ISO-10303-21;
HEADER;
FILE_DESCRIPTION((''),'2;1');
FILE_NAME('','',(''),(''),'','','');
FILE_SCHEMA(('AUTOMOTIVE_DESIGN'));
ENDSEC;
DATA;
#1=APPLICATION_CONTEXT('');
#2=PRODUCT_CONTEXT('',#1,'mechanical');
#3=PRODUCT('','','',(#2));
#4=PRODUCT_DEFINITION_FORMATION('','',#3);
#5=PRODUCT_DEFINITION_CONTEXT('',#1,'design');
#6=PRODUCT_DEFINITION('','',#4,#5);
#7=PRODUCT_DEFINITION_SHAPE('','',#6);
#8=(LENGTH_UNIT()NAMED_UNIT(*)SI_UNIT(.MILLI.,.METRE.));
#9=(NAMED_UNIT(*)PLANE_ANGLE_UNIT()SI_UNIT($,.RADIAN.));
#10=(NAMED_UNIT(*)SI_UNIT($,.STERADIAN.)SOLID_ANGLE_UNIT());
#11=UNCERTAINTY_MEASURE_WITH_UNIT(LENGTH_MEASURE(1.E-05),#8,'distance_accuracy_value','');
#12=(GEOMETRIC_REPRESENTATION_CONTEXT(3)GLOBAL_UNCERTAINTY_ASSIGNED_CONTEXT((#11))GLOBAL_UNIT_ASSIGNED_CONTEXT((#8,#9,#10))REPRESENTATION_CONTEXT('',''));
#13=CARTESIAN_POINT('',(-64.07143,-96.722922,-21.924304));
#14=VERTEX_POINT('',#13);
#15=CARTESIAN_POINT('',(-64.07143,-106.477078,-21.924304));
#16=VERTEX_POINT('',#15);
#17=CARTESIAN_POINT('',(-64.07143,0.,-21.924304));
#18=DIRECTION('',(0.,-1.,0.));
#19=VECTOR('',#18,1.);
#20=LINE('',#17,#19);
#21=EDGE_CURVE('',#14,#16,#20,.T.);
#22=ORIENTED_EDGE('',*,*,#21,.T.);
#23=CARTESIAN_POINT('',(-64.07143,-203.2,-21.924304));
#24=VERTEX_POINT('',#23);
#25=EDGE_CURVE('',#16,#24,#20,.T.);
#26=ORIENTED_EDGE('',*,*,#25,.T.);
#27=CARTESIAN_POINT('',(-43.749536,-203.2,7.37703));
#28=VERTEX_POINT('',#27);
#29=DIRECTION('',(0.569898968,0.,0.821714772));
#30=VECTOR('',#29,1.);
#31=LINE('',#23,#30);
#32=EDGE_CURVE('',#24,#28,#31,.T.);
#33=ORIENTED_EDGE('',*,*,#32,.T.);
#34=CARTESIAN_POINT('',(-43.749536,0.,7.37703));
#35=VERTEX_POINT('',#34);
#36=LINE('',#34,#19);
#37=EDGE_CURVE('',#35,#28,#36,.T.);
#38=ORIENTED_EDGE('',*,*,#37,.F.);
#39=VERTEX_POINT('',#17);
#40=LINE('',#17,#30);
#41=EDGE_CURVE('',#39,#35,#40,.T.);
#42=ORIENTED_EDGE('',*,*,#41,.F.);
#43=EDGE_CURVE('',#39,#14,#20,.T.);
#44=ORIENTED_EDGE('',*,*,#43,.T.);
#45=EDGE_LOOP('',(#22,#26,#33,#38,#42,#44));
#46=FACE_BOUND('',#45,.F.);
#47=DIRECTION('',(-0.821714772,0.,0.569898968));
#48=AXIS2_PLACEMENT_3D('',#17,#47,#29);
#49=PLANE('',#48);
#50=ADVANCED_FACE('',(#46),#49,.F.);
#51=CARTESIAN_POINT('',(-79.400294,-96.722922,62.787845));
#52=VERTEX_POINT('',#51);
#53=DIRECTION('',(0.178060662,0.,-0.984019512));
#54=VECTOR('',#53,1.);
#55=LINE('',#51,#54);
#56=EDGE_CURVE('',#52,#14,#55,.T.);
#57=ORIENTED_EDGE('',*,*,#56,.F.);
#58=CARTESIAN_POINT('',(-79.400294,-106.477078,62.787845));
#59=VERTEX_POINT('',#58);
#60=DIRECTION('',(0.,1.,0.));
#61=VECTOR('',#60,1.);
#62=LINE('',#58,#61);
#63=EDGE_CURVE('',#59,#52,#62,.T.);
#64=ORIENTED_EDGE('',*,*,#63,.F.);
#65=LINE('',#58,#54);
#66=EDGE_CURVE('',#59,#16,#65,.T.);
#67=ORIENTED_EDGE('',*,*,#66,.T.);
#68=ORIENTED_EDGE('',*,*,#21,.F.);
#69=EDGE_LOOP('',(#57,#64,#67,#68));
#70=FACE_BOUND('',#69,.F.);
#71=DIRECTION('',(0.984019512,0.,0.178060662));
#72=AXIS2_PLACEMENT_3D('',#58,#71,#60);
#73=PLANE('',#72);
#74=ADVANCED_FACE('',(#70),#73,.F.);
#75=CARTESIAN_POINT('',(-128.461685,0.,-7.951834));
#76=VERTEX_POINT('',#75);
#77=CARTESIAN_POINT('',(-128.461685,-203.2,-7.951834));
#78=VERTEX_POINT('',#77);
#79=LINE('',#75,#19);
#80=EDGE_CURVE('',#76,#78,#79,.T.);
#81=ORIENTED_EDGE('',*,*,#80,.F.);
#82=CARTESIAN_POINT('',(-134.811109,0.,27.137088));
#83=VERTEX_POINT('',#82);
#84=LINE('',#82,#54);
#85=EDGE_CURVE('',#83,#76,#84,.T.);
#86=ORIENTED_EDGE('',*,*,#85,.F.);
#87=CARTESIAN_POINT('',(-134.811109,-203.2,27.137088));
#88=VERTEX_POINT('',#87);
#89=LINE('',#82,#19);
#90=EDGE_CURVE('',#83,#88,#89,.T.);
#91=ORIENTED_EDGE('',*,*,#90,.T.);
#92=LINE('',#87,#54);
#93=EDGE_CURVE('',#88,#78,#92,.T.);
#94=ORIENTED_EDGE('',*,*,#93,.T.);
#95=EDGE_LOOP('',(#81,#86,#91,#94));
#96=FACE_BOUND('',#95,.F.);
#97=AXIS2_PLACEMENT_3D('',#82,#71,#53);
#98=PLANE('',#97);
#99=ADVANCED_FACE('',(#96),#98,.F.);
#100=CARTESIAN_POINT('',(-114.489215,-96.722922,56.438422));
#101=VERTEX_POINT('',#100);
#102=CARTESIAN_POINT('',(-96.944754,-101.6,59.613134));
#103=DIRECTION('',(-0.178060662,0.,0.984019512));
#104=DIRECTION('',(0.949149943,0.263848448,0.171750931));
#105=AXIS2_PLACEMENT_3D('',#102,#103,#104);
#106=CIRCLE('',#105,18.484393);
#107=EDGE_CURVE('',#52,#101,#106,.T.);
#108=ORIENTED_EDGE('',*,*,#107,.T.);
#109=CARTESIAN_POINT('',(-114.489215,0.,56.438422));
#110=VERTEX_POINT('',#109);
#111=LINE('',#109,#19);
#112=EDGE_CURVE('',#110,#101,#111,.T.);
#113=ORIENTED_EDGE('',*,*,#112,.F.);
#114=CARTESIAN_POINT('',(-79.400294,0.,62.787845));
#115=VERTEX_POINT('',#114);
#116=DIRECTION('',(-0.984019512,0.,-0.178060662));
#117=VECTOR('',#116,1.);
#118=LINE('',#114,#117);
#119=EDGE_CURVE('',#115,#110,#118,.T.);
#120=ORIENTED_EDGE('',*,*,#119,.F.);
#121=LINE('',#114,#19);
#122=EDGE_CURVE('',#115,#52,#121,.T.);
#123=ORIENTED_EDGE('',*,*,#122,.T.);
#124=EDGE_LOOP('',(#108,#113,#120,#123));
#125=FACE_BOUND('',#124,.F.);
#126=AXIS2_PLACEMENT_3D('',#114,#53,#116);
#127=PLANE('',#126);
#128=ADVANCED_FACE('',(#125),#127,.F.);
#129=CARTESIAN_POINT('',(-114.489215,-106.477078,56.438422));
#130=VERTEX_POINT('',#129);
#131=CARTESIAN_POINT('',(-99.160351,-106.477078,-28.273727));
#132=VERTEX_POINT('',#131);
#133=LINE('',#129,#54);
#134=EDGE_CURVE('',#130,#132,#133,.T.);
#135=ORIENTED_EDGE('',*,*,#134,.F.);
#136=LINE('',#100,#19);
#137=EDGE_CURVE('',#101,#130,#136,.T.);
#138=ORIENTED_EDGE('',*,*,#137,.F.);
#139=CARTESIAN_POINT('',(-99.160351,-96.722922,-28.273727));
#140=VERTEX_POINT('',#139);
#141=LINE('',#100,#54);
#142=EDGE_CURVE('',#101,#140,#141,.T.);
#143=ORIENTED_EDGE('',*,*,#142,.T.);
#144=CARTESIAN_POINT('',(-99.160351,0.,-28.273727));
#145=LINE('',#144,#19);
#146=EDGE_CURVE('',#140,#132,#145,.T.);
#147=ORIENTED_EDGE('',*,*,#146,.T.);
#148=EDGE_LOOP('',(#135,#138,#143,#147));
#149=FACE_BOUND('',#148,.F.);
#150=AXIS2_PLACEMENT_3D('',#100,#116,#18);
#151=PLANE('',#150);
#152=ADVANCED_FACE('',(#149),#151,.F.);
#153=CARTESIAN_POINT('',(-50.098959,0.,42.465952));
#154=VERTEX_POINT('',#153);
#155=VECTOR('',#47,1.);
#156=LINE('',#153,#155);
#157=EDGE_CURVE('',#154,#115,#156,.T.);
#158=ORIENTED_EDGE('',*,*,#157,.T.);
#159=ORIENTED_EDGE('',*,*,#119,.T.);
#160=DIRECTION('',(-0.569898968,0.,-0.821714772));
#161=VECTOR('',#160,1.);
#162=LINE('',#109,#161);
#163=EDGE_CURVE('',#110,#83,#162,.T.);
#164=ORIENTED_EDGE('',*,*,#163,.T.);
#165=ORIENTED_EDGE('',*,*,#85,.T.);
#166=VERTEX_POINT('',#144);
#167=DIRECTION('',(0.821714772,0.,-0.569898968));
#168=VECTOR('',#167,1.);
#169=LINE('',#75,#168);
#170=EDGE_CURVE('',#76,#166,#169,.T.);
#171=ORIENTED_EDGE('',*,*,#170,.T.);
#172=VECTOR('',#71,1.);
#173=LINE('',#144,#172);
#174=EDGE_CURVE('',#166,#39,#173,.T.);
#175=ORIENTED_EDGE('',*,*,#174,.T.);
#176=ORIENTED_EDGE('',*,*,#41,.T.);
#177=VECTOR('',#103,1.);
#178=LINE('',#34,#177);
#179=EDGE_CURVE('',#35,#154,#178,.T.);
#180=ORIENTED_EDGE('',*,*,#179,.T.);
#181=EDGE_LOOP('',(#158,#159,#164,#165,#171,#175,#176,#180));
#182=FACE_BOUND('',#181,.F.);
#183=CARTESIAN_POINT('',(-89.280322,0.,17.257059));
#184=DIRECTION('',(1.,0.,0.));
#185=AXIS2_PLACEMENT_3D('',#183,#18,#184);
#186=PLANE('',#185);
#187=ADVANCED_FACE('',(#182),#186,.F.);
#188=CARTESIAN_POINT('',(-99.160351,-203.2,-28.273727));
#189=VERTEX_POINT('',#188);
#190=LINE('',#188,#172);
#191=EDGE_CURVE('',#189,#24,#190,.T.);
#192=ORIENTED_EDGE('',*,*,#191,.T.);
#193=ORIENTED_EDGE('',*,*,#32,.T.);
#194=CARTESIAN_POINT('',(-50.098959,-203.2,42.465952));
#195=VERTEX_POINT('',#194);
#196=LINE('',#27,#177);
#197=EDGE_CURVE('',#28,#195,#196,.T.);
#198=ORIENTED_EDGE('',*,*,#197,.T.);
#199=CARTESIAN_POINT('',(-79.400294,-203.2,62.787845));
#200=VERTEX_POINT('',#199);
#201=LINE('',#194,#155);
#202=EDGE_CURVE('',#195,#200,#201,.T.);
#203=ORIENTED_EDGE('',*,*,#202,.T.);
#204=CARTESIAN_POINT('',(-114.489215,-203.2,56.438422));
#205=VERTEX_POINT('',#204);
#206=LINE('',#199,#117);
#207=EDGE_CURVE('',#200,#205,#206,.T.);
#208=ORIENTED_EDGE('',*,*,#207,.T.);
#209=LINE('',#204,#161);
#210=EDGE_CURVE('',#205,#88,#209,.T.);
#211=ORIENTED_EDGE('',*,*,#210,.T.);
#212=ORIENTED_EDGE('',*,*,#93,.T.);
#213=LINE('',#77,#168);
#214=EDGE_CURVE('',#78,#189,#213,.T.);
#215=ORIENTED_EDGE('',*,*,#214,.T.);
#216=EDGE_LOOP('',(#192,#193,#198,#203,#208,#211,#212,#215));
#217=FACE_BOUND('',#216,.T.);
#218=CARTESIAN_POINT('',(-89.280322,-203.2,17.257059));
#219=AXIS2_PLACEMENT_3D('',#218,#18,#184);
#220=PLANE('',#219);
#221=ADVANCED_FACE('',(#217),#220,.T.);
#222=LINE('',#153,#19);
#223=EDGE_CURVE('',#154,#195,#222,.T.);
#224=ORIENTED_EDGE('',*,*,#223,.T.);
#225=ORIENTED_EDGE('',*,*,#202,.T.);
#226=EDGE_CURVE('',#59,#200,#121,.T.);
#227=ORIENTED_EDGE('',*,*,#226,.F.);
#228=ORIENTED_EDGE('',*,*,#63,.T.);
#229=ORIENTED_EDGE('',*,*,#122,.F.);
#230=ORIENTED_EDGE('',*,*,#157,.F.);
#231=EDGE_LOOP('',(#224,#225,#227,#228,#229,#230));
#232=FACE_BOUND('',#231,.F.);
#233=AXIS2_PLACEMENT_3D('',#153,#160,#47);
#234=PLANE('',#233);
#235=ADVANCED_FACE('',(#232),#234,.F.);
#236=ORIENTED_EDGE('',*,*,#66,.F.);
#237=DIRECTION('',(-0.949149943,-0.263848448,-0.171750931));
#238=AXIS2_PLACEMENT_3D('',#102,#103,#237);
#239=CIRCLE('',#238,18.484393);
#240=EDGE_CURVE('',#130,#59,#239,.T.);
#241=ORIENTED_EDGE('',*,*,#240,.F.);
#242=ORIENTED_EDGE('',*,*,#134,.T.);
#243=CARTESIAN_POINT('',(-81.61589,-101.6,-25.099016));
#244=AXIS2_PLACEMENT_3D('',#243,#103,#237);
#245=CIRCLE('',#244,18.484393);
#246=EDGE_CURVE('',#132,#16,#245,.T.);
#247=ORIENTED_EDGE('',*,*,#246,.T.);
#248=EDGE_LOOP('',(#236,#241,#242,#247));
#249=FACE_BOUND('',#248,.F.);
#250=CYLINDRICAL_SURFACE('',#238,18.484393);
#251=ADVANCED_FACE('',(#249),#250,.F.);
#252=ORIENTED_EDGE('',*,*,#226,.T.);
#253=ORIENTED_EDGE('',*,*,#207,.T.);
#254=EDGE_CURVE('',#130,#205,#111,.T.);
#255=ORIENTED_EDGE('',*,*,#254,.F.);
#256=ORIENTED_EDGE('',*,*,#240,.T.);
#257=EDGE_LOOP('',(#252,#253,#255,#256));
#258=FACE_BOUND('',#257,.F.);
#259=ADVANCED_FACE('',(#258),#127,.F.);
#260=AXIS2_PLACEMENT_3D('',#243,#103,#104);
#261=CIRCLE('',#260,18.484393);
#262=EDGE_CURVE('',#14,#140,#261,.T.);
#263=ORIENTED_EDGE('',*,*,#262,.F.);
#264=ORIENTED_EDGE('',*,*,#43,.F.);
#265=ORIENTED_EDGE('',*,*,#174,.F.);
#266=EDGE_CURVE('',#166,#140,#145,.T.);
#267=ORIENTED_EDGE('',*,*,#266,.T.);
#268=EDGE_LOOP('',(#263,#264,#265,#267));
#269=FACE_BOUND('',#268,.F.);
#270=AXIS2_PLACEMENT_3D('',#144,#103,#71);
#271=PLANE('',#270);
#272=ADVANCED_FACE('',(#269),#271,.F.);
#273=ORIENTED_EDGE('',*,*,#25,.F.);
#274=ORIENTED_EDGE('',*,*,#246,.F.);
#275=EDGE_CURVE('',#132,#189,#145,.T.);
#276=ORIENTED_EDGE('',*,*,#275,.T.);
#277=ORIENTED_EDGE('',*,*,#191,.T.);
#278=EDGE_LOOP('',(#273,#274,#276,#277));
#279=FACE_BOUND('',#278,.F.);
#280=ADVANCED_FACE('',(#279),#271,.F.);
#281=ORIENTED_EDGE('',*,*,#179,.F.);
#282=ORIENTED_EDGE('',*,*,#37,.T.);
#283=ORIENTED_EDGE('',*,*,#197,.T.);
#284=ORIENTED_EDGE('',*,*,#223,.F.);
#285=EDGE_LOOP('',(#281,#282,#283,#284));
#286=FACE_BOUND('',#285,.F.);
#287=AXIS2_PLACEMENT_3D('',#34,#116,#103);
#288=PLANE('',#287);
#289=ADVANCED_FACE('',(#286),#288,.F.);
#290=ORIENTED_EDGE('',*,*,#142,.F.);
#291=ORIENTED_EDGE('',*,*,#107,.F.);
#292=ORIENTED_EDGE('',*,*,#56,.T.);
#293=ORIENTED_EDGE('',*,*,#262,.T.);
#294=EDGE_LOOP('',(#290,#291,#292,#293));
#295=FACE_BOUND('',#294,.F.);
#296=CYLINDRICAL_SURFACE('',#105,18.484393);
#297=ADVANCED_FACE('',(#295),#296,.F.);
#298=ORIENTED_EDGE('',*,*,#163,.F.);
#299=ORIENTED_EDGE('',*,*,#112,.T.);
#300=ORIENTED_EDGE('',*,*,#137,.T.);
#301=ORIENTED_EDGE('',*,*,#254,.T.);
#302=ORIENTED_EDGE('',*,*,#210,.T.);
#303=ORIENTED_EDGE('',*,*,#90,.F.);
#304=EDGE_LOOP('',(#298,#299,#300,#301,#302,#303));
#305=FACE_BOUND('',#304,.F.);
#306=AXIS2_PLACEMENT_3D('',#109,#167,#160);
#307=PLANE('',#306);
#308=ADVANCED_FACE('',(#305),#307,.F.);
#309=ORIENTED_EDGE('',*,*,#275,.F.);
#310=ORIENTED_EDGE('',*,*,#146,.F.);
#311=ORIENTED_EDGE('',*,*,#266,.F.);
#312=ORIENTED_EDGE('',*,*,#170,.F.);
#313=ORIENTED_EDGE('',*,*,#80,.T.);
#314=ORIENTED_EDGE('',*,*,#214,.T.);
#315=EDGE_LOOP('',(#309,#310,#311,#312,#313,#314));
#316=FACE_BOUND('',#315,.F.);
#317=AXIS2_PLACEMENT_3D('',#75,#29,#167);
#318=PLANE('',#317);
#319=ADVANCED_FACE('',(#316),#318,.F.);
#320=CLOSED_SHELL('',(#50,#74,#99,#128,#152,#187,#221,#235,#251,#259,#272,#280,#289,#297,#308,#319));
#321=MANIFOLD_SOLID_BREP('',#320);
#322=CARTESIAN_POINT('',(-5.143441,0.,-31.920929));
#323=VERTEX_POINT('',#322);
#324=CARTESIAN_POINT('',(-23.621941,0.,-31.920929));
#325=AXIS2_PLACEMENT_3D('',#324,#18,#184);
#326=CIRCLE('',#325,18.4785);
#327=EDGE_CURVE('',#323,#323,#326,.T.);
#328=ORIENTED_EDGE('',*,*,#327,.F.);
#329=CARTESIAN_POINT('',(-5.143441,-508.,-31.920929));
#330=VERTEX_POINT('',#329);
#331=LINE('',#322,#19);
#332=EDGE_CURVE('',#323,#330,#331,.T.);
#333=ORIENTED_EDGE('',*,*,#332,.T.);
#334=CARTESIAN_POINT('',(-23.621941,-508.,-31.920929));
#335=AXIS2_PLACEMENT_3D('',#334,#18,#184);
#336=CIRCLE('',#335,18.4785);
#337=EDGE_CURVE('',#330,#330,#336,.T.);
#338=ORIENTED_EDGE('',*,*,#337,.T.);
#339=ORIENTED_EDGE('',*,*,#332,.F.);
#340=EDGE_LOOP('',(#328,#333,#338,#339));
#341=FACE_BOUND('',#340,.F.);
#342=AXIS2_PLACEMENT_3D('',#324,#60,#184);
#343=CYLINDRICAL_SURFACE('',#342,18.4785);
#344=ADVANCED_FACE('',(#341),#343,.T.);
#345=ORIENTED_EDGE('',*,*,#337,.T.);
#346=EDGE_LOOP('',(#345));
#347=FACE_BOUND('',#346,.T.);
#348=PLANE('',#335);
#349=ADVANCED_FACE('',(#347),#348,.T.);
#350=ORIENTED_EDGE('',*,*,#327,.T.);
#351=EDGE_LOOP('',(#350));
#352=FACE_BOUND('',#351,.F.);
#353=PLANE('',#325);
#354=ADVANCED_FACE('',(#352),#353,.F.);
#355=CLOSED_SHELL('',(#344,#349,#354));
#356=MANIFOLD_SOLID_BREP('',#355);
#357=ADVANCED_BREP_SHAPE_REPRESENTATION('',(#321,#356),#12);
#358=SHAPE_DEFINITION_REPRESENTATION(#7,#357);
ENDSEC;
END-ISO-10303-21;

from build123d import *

# Parameters (mm, degrees)
F1_DEPTH = 203.2
F3_DEPTH = 203.2
F4_R     = 18.4785
F5_DEPTH = 508


with BuildPart() as f1:
    # F0 (on Front) → F1 (new body)
    with BuildSketch(Plane.XZ):
        Polygon((-64.0714295495, -21.9243039862), (-43.7495358002, 7.3770304695), (-50.098959215, 42.4659516376), (-79.4002936706, 62.7878453869), (-114.4892148387, 56.4384219721), (-134.811108588, 27.1370875165), (-128.4616851732, -7.9518336516), (-99.1603507176, -28.2737274009), align=None)
    extrude(amount=F1_DEPTH)

    # F2 (on face) → F3 (cut)
    with BuildSketch(Plane(origin=(-13.5188166387, 0, 74.709254736), x_dir=(0.9840195123, 0, 0.178060662), z_dir=(-0.178060662, 0, 0.9840195123))):
        with BuildLine():
            Line((-102.6101585739, -96.7229215922), (-102.6101585739, -106.4770784078))
            ThreePointArc((-102.6101585739, -106.4770784078), (-95.9951181662, -116.2939208433), (-84.7807757576, -120.0843930224))
            ThreePointArc((-84.7807757576, -120.0843930224), (-73.566433349, -116.2939208433), (-66.9513929413, -106.4770784078))
            Line((-66.9513929413, -106.4770784078), (-66.9513929413, -96.7229215922))
            ThreePointArc((-66.9513929413, -96.7229215922), (-84.7807757576, -83.1156069776), (-102.6101585739, -96.7229215922))
        make_face()
    extrude(amount=-F3_DEPTH, mode=Mode.SUBTRACT)


with BuildPart() as f5:
    # F4 (on Front) → F5 (new body)
    with BuildSketch(Plane.XZ):
        with Locations((-23.6219409853, -31.920928508)):
            Circle(F4_R)
    extrude(amount=F5_DEPTH)


solid = Compound([f1.part, f5.part])
